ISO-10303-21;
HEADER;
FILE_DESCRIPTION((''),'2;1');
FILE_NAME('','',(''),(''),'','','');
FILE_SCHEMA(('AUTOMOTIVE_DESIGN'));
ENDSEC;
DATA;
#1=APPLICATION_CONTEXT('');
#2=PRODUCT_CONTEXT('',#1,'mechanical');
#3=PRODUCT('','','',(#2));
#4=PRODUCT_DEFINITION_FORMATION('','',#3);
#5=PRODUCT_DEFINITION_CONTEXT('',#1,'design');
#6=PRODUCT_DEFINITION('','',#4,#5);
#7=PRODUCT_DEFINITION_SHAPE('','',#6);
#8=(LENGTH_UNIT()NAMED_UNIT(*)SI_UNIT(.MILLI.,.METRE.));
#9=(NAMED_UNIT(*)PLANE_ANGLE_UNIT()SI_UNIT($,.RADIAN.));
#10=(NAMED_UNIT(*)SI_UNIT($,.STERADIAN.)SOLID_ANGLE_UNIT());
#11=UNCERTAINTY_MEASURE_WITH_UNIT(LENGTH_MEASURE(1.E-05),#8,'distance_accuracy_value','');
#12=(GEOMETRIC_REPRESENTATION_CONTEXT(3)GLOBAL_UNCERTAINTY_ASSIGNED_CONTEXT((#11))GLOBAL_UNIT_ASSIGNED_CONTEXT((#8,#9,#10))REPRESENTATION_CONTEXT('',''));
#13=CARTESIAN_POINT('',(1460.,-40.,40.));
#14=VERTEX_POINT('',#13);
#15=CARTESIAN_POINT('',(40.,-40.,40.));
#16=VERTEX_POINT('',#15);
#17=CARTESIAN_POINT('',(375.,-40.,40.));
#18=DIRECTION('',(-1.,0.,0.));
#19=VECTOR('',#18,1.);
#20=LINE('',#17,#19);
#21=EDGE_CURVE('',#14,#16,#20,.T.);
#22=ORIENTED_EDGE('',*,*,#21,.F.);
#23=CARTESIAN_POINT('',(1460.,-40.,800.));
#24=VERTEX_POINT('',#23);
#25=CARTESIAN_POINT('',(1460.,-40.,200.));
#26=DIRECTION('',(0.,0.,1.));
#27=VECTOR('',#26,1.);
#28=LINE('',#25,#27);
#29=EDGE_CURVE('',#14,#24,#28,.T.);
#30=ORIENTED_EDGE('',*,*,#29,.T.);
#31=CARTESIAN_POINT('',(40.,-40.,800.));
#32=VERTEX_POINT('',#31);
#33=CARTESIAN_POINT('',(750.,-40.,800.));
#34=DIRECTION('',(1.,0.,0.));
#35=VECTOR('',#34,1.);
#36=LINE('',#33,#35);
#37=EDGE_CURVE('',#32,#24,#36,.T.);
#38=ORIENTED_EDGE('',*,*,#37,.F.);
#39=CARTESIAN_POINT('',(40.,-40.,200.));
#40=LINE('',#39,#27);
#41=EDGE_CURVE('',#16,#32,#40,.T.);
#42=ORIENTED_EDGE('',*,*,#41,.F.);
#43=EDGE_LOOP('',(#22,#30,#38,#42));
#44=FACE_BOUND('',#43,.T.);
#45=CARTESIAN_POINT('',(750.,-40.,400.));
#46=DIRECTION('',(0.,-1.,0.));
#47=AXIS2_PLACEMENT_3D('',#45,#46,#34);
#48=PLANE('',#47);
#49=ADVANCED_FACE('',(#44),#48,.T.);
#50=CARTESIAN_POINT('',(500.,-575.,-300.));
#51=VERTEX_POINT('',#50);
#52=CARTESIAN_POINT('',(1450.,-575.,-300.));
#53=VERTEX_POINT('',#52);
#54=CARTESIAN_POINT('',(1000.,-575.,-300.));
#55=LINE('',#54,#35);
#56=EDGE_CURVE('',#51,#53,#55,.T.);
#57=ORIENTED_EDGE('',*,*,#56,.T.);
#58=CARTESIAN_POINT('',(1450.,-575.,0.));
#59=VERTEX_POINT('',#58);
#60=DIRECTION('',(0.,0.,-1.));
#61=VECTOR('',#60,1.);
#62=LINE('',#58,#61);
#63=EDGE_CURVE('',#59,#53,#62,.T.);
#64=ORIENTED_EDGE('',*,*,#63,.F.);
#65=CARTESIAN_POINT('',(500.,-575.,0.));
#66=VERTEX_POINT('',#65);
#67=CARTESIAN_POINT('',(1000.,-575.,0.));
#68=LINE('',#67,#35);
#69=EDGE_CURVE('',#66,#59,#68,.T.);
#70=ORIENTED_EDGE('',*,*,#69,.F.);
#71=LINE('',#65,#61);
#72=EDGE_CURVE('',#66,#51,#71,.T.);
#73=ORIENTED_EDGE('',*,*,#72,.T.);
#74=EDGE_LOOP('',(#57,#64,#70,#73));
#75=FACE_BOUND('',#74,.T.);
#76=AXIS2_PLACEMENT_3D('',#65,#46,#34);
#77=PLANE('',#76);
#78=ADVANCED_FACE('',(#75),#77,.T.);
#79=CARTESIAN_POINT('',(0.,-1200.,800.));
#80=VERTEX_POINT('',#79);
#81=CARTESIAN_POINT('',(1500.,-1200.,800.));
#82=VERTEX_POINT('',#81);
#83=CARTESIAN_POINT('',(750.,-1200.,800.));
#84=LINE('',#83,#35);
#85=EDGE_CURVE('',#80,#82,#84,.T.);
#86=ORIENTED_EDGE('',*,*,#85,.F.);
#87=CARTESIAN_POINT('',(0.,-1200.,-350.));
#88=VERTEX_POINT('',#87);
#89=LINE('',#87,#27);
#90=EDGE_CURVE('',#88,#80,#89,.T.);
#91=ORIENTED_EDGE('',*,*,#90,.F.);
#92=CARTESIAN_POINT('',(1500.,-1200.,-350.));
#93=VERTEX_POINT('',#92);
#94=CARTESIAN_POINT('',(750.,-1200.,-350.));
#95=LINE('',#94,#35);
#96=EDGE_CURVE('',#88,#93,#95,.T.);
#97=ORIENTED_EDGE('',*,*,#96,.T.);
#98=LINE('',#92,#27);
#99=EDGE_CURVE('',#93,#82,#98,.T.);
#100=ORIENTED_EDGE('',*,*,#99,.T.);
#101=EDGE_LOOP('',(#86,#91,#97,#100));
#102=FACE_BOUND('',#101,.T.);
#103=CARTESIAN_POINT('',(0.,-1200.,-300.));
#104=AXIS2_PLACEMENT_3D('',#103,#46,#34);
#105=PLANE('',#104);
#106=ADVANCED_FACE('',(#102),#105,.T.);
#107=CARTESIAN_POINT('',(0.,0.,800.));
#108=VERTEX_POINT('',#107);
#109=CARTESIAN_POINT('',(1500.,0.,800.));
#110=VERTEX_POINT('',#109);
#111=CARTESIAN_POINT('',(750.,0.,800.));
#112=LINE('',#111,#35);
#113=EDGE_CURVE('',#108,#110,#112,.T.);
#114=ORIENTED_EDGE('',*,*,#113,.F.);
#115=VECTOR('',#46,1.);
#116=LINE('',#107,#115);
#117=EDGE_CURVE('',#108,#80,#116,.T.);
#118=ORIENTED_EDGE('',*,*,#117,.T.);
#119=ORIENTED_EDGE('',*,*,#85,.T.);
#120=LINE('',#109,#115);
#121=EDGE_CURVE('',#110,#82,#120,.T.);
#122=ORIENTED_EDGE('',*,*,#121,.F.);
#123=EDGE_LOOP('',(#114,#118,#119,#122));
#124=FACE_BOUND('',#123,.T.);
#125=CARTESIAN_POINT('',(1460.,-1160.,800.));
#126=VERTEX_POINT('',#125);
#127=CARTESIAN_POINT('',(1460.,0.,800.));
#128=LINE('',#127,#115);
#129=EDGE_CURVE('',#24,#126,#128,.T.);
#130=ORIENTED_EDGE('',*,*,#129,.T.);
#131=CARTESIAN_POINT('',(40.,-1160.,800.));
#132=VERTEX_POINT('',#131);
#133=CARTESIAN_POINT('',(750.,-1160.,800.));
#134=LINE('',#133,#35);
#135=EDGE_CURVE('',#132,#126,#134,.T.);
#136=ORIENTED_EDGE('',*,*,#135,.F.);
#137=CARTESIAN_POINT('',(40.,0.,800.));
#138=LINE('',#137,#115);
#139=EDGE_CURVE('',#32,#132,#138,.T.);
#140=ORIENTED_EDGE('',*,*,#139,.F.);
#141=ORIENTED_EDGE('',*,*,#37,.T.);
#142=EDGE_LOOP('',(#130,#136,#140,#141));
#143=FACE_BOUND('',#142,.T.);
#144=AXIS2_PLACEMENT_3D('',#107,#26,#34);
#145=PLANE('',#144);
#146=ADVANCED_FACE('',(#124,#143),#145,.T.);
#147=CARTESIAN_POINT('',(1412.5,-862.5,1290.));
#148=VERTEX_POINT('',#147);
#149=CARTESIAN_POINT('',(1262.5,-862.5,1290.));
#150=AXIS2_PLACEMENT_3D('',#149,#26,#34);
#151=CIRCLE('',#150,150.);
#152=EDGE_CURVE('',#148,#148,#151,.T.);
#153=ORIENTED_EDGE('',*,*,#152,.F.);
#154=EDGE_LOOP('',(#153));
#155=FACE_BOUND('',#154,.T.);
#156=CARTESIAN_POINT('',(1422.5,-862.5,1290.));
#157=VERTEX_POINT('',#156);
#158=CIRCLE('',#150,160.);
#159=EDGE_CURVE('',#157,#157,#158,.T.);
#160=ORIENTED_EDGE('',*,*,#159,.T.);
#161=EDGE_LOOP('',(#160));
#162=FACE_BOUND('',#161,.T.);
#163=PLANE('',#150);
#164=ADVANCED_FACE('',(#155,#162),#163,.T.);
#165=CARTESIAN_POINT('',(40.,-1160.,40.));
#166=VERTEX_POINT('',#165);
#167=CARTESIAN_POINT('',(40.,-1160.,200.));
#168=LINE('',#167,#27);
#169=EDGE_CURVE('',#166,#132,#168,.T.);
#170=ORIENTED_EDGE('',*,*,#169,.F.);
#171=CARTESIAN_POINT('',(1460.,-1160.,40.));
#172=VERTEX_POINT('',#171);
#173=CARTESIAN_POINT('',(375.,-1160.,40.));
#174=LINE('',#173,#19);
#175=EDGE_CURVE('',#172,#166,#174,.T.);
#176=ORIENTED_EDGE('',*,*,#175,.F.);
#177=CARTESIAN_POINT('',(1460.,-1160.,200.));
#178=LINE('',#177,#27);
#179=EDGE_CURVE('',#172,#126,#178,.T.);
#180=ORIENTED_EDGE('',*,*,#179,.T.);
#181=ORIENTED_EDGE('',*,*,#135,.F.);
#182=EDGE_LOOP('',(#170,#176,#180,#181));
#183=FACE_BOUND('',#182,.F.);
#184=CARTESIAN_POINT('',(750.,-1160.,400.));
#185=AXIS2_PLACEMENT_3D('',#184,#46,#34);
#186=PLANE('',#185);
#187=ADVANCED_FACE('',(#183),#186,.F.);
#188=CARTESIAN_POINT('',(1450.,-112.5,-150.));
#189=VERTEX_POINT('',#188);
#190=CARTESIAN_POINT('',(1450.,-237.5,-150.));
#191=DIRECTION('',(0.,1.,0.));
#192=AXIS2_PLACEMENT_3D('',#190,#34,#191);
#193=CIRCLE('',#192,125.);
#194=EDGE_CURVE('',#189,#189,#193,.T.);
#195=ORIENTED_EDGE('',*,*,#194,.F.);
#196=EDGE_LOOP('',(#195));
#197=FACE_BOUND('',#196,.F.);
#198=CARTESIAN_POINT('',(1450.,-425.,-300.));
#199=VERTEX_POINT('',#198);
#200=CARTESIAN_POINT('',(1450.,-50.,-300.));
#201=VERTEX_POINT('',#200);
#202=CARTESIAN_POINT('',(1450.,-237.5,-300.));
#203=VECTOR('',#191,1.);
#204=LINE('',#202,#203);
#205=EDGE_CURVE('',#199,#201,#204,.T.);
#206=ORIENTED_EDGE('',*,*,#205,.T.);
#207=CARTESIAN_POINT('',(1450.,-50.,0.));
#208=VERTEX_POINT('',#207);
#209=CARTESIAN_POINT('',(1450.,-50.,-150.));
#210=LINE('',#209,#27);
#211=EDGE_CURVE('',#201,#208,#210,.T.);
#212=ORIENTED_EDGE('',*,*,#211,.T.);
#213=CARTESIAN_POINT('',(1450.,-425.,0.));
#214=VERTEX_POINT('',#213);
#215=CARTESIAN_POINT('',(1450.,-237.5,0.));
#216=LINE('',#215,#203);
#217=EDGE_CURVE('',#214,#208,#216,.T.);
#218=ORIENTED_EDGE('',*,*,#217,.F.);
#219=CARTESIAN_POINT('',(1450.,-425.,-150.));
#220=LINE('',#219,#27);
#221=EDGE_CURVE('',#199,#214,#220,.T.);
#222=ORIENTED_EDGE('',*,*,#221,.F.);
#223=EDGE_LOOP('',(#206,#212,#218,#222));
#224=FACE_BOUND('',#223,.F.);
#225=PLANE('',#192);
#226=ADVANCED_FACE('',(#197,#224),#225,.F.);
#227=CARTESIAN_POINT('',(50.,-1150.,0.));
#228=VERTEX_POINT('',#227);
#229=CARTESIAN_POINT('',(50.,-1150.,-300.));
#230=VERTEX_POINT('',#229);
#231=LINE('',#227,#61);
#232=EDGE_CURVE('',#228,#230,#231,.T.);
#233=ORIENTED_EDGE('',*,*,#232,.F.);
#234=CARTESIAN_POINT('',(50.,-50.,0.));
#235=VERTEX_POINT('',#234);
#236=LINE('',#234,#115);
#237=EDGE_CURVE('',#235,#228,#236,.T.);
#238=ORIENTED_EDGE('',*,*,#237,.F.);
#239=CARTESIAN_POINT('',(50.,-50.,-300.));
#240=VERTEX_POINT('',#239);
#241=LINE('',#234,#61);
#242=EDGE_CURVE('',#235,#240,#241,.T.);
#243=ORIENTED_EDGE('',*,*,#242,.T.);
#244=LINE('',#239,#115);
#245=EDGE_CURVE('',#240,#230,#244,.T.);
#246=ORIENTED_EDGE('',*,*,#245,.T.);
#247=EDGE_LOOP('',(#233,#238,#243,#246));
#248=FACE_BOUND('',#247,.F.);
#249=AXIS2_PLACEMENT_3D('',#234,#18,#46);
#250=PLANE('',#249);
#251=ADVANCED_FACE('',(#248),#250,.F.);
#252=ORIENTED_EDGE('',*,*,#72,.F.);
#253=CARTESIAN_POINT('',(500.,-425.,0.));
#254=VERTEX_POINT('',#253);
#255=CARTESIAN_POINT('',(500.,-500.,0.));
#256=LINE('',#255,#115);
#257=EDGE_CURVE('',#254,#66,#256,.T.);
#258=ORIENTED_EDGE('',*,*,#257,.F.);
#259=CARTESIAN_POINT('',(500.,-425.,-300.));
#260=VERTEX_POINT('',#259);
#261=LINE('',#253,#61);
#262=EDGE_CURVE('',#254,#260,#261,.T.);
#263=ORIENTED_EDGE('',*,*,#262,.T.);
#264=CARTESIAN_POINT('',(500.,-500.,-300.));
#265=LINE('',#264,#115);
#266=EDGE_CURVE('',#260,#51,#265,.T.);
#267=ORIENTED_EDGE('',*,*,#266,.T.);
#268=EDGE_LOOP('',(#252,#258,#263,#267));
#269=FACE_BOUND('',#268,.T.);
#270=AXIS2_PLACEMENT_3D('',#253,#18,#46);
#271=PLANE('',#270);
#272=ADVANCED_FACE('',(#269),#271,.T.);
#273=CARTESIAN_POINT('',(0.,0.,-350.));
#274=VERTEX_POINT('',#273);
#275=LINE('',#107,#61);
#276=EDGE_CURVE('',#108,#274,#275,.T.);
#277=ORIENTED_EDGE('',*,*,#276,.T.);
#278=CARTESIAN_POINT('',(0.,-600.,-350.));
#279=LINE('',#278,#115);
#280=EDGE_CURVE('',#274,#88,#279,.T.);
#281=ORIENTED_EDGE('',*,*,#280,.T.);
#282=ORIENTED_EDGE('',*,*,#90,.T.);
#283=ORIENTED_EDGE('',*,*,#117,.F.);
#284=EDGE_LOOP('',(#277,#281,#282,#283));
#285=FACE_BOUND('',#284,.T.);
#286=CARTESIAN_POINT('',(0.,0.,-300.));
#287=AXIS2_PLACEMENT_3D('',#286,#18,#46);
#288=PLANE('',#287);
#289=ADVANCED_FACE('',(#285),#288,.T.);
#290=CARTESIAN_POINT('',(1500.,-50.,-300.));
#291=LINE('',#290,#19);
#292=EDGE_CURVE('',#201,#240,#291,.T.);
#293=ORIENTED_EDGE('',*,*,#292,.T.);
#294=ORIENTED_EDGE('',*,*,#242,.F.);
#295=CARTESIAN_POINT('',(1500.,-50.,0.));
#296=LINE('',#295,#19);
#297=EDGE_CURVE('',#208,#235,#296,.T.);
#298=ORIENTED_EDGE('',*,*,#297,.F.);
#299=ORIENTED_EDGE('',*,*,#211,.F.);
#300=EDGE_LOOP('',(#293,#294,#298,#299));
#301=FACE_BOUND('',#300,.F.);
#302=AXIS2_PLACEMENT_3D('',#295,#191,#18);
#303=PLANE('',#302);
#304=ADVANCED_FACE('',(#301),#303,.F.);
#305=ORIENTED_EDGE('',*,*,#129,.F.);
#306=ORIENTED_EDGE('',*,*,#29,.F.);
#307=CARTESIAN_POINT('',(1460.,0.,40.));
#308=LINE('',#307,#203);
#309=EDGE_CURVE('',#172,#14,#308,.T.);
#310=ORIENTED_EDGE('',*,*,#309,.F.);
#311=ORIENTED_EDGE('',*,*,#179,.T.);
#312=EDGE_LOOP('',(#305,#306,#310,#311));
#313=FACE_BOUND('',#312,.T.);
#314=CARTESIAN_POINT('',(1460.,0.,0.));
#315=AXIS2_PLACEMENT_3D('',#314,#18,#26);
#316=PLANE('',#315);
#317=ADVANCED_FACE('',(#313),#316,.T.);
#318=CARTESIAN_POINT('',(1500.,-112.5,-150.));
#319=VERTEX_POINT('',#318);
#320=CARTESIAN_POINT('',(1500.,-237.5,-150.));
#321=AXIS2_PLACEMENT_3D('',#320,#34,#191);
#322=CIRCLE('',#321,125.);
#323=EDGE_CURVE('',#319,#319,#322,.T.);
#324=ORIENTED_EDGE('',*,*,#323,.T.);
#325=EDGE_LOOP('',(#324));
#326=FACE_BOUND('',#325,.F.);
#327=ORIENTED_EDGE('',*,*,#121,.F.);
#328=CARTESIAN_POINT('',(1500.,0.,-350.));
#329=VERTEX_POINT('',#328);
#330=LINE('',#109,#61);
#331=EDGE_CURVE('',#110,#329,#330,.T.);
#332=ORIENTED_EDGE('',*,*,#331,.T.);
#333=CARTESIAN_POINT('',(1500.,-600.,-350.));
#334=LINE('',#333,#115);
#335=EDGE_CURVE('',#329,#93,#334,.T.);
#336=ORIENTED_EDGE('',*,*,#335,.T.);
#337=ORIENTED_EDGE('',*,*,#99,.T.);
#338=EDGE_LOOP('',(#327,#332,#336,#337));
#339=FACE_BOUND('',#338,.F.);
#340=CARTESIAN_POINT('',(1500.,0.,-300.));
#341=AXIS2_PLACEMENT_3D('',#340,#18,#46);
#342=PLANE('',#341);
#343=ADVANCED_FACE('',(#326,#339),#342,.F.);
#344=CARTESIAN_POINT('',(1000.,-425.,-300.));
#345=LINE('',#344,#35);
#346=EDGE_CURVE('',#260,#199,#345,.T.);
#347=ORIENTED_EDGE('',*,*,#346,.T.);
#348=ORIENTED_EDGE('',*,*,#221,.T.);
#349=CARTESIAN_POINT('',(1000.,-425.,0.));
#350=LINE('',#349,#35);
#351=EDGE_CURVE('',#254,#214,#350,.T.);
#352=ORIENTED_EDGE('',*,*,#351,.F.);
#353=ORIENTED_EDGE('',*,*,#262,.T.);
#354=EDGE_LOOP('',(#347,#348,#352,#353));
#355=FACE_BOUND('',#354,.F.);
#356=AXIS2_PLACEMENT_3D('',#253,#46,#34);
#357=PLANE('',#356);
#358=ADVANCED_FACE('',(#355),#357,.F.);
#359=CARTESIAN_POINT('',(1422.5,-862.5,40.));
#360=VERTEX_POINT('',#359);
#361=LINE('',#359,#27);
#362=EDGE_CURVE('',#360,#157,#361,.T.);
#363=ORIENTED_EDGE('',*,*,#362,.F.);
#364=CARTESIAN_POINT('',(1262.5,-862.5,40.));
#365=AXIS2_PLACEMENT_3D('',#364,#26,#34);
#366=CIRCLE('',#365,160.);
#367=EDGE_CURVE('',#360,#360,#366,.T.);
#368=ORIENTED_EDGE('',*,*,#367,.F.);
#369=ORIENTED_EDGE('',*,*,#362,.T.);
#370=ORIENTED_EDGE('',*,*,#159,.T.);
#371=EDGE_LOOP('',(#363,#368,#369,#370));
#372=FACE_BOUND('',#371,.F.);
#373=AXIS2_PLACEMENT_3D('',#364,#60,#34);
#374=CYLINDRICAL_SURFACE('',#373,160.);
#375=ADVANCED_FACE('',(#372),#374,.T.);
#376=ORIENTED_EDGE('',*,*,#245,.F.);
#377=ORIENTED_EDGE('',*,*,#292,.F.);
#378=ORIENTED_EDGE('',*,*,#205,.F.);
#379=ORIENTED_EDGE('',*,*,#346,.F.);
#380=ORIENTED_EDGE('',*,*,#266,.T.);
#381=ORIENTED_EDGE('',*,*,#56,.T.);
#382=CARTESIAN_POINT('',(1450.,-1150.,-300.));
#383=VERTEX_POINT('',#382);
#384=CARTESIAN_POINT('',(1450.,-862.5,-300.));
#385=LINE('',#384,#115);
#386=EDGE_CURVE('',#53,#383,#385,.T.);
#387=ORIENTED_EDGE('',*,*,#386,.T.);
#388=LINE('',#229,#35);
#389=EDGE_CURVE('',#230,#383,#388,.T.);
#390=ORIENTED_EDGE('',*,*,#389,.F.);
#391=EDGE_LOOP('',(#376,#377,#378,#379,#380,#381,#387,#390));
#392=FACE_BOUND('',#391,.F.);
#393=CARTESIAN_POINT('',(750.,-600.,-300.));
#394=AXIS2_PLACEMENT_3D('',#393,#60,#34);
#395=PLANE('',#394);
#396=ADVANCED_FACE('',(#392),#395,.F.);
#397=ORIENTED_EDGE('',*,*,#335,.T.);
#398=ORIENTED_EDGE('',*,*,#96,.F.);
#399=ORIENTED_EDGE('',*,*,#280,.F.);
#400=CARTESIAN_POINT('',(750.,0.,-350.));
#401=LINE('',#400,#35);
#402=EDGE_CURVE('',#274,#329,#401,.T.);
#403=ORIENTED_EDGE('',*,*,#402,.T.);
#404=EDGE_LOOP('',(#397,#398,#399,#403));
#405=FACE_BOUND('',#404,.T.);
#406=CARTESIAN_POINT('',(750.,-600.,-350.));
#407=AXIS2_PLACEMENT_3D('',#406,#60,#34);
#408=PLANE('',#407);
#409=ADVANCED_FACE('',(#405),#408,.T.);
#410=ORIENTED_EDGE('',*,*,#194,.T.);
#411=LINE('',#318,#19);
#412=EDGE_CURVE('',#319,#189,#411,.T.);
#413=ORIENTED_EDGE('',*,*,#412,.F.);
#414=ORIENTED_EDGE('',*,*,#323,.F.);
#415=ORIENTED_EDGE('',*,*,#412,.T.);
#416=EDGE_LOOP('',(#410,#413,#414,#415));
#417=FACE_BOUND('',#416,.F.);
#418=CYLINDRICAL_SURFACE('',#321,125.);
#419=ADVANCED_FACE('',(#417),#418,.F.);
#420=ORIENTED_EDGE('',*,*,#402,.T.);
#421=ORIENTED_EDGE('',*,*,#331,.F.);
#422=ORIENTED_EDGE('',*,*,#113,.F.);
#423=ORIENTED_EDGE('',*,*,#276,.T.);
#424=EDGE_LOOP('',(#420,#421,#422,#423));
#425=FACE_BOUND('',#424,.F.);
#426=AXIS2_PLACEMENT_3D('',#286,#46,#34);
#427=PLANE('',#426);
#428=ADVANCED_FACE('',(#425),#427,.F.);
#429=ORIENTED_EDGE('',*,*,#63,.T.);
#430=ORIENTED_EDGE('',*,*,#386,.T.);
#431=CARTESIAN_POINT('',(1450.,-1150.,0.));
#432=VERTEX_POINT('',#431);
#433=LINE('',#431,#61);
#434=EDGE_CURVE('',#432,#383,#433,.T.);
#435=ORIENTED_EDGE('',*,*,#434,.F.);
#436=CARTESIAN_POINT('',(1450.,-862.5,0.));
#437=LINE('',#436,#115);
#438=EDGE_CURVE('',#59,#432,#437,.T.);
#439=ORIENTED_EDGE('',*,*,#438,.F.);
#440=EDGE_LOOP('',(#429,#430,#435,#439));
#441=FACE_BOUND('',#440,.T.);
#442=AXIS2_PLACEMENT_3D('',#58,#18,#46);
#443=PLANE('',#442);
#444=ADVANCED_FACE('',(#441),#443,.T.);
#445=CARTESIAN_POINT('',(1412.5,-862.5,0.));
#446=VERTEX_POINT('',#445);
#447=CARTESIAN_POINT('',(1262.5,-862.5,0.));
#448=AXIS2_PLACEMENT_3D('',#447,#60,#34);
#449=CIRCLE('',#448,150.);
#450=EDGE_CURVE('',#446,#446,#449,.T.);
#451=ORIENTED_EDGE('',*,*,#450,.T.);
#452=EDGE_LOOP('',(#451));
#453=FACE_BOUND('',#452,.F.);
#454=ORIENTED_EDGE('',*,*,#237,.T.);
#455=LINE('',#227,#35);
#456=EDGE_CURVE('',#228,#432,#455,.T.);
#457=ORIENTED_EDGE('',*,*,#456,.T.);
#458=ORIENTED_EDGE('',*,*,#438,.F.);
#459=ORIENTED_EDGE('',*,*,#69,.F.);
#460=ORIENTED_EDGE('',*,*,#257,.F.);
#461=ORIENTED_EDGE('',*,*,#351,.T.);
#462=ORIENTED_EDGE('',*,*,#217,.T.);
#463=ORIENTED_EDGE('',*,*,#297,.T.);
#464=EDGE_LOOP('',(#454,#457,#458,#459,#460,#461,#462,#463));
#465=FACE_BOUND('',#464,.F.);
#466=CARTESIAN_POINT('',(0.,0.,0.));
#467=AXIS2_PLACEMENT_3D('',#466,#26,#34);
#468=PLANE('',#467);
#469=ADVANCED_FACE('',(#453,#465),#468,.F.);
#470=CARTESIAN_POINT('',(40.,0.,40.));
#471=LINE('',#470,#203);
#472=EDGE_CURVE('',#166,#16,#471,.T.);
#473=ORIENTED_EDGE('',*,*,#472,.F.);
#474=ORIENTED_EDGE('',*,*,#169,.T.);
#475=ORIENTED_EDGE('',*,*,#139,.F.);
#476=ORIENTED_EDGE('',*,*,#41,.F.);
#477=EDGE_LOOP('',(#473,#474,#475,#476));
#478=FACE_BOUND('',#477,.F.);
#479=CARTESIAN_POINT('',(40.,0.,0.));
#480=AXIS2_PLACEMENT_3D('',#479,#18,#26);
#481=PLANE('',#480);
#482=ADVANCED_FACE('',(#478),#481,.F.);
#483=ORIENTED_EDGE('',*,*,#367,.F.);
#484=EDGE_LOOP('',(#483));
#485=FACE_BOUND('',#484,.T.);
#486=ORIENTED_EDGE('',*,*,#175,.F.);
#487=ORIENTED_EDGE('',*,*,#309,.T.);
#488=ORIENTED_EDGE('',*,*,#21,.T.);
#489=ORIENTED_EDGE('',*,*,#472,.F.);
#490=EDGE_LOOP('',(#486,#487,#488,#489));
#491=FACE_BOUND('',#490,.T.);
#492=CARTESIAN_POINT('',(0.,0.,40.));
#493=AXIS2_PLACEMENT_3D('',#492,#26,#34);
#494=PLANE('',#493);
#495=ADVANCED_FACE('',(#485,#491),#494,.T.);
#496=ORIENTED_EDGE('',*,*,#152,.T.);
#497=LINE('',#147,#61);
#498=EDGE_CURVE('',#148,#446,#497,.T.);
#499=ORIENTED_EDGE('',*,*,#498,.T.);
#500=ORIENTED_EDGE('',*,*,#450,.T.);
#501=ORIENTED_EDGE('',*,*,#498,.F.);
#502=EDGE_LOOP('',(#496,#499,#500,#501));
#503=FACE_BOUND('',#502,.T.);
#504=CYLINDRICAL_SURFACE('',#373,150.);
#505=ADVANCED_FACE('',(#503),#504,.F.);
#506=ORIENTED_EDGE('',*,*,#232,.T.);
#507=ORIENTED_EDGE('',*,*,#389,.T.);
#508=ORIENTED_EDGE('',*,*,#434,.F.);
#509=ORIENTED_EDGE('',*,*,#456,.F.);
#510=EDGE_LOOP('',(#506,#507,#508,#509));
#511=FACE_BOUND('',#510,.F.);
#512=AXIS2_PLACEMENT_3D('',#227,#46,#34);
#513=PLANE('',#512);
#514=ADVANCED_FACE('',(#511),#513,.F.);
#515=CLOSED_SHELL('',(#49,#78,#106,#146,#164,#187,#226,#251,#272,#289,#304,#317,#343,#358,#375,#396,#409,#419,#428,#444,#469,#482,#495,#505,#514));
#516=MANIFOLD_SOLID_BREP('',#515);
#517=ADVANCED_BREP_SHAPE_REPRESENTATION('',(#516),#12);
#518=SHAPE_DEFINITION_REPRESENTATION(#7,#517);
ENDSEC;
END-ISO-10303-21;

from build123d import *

# Parameters (mm, degrees)
F0_W      = 1500
F0_H      = 800
F1_DEPTH  = 1200
F2_T      = -40
F4_DEPTH  = 300
F5_W      = 1000
F5_H      = 150
F6_DEPTH  = 300
F7_W      = 50
F7_H      = 575
F8_DEPTH  = 300
F9_W      = 375
F9_H      = 300
F9_R      = 125
F10_DEPTH = 50
F11_R     = 150
F12_DEPTH = 50
F13_W     = 1500
F13_H     = 1200
F14_DEPTH = 50
F15_R     = 160
F15_R_2   = 150
F16_DEPTH = 1250


with BuildPart() as f1:
    # F0 (on Front) → F1 (new body)
    with BuildSketch(Plane.XZ):
        with Locations((750, 400)):
            Rectangle(F0_W, F0_H)
    extrude(amount=F1_DEPTH)

    # F2
    f2_openings = [f1.faces().sort_by_distance(p)[0] for p in [
        (750, -600, 800),
    ]]
    offset(amount=F2_T, openings=f2_openings)

    # F3 (on face) → F4 (join)
    with BuildSketch(Plane(origin=(0, 0, 0), x_dir=(1, 0, 0), z_dir=(0, 0, -1))):
        Polygon((1500, 0), (1500, 50), (50, 50), (50, 1150), (1500, 1150), (1500, 1200), (0, 1200), (0, 0), align=None)
    extrude(amount=F4_DEPTH)

    # F5 (on face) → F6 (join)
    with BuildSketch(Plane(origin=(0, 0, 0), x_dir=(1, 0, 0), z_dir=(0, 0, -1))):
        with Locations((1000, 500)):
            Rectangle(F5_W, F5_H)
    extrude(amount=F6_DEPTH)

    # F7 (on face) → F8 (join)
    with BuildSketch(Plane(origin=(0, 0, 0), x_dir=(1, 0, 0), z_dir=(0, 0, -1))):
        with Locations((1475, 862.5)):
            Rectangle(F7_W, F7_H)
    extrude(amount=F8_DEPTH)

    # F9 (on face) → F10 (join)
    with BuildSketch(Plane.YZ.offset(1500)):
        with Locations((-237.5, -150)):
            Rectangle(F9_W, F9_H)
        with Locations((-237.5, -150)):
            Circle(F9_R, mode=Mode.SUBTRACT)
    extrude(amount=-F10_DEPTH)

    # F11 (on face) → F12 (cut)
    with BuildSketch(Plane(origin=(0, 0, 0), x_dir=(1, 0, 0), z_dir=(0, 0, -1))):
        with Locations((1262.5, 862.5)):
            Circle(F11_R)
    extrude(amount=-F12_DEPTH, mode=Mode.SUBTRACT)

    # F13 (on face) → F14 (join)
    with BuildSketch(Plane(origin=(0, 0, -300), x_dir=(1, 0, 0), z_dir=(0, 0, -1))):
        with Locations((750, 600)):
            Rectangle(F13_W, F13_H)
    extrude(amount=F14_DEPTH)

    # F15 (on face) → F16 (join)
    with BuildSketch(Plane.XY.offset(40)):
        with Locations((1262.5, -862.5)):
            Circle(F15_R)
        with Locations((1262.5, -862.5)):
            Circle(F15_R_2, mode=Mode.SUBTRACT)
    extrude(amount=F16_DEPTH)


solid = f1.part
